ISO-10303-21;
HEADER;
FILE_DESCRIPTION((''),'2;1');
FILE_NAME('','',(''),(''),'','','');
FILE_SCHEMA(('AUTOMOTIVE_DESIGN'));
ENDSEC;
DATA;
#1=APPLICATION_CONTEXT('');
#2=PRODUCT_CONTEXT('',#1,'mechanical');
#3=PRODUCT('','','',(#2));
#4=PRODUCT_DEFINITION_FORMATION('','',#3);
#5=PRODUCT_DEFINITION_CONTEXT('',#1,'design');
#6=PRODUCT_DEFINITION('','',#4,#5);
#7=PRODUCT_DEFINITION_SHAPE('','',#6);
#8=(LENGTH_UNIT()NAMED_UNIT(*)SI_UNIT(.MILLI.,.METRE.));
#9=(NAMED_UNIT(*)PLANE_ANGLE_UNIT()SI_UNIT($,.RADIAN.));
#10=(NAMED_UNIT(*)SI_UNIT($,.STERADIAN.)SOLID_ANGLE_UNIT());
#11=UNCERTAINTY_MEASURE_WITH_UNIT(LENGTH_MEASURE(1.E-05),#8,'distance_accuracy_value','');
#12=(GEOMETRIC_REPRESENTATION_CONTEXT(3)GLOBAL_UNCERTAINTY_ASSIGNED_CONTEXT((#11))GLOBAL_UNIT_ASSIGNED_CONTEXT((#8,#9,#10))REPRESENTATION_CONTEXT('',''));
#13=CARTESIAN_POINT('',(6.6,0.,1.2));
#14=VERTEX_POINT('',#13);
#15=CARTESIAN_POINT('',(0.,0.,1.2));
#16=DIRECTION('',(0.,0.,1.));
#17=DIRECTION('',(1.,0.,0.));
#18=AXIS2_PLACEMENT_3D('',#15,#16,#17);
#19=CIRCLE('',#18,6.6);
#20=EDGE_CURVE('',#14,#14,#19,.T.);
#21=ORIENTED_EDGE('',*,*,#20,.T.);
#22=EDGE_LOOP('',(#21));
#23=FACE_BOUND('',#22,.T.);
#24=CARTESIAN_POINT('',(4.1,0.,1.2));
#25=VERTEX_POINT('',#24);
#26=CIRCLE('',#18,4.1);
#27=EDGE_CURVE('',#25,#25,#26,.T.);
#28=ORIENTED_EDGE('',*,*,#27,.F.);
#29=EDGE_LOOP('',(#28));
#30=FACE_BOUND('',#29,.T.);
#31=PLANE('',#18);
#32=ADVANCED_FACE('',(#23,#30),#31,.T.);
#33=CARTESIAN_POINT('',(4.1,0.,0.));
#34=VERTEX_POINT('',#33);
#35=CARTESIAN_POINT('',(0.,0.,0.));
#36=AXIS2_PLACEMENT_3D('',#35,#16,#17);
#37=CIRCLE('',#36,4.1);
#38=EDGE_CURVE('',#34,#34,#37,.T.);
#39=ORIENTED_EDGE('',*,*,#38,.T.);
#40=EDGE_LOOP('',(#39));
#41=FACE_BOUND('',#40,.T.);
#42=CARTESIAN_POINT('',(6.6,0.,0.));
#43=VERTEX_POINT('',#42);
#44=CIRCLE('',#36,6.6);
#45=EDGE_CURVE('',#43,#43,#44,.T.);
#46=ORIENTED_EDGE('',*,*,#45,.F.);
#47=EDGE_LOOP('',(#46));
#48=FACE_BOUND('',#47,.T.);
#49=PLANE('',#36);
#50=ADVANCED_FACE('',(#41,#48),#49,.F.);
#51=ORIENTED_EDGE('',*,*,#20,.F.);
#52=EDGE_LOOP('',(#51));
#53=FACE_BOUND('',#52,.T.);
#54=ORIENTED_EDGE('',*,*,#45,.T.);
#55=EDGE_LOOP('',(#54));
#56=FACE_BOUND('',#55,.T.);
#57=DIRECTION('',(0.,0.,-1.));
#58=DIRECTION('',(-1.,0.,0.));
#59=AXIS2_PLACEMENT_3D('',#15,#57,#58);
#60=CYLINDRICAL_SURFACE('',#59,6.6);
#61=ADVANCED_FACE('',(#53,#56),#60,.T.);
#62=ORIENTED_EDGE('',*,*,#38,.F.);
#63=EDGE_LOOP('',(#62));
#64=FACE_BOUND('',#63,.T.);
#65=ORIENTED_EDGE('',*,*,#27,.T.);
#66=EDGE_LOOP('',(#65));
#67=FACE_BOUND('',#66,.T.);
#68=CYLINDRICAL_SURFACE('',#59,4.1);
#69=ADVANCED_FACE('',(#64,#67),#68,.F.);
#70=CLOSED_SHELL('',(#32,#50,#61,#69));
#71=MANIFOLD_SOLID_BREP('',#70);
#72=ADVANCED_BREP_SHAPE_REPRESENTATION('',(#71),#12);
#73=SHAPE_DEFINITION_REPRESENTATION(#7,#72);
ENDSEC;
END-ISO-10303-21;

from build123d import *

# Parameters (mm, degrees)
SKETCH_1_R      = 6.6
SKETCH_1_R_2    = 4.1
EXTRUDE_1_DEPTH = 1.2


with BuildPart() as part:
    # Эскиз1 → Бобышка-Вытянуть1 (new body)
    with BuildSketch(Plane.XY):
        Circle(SKETCH_1_R)
        Circle(SKETCH_1_R_2, mode=Mode.SUBTRACT)
    extrude(amount=EXTRUDE_1_DEPTH)


solid = part.part
